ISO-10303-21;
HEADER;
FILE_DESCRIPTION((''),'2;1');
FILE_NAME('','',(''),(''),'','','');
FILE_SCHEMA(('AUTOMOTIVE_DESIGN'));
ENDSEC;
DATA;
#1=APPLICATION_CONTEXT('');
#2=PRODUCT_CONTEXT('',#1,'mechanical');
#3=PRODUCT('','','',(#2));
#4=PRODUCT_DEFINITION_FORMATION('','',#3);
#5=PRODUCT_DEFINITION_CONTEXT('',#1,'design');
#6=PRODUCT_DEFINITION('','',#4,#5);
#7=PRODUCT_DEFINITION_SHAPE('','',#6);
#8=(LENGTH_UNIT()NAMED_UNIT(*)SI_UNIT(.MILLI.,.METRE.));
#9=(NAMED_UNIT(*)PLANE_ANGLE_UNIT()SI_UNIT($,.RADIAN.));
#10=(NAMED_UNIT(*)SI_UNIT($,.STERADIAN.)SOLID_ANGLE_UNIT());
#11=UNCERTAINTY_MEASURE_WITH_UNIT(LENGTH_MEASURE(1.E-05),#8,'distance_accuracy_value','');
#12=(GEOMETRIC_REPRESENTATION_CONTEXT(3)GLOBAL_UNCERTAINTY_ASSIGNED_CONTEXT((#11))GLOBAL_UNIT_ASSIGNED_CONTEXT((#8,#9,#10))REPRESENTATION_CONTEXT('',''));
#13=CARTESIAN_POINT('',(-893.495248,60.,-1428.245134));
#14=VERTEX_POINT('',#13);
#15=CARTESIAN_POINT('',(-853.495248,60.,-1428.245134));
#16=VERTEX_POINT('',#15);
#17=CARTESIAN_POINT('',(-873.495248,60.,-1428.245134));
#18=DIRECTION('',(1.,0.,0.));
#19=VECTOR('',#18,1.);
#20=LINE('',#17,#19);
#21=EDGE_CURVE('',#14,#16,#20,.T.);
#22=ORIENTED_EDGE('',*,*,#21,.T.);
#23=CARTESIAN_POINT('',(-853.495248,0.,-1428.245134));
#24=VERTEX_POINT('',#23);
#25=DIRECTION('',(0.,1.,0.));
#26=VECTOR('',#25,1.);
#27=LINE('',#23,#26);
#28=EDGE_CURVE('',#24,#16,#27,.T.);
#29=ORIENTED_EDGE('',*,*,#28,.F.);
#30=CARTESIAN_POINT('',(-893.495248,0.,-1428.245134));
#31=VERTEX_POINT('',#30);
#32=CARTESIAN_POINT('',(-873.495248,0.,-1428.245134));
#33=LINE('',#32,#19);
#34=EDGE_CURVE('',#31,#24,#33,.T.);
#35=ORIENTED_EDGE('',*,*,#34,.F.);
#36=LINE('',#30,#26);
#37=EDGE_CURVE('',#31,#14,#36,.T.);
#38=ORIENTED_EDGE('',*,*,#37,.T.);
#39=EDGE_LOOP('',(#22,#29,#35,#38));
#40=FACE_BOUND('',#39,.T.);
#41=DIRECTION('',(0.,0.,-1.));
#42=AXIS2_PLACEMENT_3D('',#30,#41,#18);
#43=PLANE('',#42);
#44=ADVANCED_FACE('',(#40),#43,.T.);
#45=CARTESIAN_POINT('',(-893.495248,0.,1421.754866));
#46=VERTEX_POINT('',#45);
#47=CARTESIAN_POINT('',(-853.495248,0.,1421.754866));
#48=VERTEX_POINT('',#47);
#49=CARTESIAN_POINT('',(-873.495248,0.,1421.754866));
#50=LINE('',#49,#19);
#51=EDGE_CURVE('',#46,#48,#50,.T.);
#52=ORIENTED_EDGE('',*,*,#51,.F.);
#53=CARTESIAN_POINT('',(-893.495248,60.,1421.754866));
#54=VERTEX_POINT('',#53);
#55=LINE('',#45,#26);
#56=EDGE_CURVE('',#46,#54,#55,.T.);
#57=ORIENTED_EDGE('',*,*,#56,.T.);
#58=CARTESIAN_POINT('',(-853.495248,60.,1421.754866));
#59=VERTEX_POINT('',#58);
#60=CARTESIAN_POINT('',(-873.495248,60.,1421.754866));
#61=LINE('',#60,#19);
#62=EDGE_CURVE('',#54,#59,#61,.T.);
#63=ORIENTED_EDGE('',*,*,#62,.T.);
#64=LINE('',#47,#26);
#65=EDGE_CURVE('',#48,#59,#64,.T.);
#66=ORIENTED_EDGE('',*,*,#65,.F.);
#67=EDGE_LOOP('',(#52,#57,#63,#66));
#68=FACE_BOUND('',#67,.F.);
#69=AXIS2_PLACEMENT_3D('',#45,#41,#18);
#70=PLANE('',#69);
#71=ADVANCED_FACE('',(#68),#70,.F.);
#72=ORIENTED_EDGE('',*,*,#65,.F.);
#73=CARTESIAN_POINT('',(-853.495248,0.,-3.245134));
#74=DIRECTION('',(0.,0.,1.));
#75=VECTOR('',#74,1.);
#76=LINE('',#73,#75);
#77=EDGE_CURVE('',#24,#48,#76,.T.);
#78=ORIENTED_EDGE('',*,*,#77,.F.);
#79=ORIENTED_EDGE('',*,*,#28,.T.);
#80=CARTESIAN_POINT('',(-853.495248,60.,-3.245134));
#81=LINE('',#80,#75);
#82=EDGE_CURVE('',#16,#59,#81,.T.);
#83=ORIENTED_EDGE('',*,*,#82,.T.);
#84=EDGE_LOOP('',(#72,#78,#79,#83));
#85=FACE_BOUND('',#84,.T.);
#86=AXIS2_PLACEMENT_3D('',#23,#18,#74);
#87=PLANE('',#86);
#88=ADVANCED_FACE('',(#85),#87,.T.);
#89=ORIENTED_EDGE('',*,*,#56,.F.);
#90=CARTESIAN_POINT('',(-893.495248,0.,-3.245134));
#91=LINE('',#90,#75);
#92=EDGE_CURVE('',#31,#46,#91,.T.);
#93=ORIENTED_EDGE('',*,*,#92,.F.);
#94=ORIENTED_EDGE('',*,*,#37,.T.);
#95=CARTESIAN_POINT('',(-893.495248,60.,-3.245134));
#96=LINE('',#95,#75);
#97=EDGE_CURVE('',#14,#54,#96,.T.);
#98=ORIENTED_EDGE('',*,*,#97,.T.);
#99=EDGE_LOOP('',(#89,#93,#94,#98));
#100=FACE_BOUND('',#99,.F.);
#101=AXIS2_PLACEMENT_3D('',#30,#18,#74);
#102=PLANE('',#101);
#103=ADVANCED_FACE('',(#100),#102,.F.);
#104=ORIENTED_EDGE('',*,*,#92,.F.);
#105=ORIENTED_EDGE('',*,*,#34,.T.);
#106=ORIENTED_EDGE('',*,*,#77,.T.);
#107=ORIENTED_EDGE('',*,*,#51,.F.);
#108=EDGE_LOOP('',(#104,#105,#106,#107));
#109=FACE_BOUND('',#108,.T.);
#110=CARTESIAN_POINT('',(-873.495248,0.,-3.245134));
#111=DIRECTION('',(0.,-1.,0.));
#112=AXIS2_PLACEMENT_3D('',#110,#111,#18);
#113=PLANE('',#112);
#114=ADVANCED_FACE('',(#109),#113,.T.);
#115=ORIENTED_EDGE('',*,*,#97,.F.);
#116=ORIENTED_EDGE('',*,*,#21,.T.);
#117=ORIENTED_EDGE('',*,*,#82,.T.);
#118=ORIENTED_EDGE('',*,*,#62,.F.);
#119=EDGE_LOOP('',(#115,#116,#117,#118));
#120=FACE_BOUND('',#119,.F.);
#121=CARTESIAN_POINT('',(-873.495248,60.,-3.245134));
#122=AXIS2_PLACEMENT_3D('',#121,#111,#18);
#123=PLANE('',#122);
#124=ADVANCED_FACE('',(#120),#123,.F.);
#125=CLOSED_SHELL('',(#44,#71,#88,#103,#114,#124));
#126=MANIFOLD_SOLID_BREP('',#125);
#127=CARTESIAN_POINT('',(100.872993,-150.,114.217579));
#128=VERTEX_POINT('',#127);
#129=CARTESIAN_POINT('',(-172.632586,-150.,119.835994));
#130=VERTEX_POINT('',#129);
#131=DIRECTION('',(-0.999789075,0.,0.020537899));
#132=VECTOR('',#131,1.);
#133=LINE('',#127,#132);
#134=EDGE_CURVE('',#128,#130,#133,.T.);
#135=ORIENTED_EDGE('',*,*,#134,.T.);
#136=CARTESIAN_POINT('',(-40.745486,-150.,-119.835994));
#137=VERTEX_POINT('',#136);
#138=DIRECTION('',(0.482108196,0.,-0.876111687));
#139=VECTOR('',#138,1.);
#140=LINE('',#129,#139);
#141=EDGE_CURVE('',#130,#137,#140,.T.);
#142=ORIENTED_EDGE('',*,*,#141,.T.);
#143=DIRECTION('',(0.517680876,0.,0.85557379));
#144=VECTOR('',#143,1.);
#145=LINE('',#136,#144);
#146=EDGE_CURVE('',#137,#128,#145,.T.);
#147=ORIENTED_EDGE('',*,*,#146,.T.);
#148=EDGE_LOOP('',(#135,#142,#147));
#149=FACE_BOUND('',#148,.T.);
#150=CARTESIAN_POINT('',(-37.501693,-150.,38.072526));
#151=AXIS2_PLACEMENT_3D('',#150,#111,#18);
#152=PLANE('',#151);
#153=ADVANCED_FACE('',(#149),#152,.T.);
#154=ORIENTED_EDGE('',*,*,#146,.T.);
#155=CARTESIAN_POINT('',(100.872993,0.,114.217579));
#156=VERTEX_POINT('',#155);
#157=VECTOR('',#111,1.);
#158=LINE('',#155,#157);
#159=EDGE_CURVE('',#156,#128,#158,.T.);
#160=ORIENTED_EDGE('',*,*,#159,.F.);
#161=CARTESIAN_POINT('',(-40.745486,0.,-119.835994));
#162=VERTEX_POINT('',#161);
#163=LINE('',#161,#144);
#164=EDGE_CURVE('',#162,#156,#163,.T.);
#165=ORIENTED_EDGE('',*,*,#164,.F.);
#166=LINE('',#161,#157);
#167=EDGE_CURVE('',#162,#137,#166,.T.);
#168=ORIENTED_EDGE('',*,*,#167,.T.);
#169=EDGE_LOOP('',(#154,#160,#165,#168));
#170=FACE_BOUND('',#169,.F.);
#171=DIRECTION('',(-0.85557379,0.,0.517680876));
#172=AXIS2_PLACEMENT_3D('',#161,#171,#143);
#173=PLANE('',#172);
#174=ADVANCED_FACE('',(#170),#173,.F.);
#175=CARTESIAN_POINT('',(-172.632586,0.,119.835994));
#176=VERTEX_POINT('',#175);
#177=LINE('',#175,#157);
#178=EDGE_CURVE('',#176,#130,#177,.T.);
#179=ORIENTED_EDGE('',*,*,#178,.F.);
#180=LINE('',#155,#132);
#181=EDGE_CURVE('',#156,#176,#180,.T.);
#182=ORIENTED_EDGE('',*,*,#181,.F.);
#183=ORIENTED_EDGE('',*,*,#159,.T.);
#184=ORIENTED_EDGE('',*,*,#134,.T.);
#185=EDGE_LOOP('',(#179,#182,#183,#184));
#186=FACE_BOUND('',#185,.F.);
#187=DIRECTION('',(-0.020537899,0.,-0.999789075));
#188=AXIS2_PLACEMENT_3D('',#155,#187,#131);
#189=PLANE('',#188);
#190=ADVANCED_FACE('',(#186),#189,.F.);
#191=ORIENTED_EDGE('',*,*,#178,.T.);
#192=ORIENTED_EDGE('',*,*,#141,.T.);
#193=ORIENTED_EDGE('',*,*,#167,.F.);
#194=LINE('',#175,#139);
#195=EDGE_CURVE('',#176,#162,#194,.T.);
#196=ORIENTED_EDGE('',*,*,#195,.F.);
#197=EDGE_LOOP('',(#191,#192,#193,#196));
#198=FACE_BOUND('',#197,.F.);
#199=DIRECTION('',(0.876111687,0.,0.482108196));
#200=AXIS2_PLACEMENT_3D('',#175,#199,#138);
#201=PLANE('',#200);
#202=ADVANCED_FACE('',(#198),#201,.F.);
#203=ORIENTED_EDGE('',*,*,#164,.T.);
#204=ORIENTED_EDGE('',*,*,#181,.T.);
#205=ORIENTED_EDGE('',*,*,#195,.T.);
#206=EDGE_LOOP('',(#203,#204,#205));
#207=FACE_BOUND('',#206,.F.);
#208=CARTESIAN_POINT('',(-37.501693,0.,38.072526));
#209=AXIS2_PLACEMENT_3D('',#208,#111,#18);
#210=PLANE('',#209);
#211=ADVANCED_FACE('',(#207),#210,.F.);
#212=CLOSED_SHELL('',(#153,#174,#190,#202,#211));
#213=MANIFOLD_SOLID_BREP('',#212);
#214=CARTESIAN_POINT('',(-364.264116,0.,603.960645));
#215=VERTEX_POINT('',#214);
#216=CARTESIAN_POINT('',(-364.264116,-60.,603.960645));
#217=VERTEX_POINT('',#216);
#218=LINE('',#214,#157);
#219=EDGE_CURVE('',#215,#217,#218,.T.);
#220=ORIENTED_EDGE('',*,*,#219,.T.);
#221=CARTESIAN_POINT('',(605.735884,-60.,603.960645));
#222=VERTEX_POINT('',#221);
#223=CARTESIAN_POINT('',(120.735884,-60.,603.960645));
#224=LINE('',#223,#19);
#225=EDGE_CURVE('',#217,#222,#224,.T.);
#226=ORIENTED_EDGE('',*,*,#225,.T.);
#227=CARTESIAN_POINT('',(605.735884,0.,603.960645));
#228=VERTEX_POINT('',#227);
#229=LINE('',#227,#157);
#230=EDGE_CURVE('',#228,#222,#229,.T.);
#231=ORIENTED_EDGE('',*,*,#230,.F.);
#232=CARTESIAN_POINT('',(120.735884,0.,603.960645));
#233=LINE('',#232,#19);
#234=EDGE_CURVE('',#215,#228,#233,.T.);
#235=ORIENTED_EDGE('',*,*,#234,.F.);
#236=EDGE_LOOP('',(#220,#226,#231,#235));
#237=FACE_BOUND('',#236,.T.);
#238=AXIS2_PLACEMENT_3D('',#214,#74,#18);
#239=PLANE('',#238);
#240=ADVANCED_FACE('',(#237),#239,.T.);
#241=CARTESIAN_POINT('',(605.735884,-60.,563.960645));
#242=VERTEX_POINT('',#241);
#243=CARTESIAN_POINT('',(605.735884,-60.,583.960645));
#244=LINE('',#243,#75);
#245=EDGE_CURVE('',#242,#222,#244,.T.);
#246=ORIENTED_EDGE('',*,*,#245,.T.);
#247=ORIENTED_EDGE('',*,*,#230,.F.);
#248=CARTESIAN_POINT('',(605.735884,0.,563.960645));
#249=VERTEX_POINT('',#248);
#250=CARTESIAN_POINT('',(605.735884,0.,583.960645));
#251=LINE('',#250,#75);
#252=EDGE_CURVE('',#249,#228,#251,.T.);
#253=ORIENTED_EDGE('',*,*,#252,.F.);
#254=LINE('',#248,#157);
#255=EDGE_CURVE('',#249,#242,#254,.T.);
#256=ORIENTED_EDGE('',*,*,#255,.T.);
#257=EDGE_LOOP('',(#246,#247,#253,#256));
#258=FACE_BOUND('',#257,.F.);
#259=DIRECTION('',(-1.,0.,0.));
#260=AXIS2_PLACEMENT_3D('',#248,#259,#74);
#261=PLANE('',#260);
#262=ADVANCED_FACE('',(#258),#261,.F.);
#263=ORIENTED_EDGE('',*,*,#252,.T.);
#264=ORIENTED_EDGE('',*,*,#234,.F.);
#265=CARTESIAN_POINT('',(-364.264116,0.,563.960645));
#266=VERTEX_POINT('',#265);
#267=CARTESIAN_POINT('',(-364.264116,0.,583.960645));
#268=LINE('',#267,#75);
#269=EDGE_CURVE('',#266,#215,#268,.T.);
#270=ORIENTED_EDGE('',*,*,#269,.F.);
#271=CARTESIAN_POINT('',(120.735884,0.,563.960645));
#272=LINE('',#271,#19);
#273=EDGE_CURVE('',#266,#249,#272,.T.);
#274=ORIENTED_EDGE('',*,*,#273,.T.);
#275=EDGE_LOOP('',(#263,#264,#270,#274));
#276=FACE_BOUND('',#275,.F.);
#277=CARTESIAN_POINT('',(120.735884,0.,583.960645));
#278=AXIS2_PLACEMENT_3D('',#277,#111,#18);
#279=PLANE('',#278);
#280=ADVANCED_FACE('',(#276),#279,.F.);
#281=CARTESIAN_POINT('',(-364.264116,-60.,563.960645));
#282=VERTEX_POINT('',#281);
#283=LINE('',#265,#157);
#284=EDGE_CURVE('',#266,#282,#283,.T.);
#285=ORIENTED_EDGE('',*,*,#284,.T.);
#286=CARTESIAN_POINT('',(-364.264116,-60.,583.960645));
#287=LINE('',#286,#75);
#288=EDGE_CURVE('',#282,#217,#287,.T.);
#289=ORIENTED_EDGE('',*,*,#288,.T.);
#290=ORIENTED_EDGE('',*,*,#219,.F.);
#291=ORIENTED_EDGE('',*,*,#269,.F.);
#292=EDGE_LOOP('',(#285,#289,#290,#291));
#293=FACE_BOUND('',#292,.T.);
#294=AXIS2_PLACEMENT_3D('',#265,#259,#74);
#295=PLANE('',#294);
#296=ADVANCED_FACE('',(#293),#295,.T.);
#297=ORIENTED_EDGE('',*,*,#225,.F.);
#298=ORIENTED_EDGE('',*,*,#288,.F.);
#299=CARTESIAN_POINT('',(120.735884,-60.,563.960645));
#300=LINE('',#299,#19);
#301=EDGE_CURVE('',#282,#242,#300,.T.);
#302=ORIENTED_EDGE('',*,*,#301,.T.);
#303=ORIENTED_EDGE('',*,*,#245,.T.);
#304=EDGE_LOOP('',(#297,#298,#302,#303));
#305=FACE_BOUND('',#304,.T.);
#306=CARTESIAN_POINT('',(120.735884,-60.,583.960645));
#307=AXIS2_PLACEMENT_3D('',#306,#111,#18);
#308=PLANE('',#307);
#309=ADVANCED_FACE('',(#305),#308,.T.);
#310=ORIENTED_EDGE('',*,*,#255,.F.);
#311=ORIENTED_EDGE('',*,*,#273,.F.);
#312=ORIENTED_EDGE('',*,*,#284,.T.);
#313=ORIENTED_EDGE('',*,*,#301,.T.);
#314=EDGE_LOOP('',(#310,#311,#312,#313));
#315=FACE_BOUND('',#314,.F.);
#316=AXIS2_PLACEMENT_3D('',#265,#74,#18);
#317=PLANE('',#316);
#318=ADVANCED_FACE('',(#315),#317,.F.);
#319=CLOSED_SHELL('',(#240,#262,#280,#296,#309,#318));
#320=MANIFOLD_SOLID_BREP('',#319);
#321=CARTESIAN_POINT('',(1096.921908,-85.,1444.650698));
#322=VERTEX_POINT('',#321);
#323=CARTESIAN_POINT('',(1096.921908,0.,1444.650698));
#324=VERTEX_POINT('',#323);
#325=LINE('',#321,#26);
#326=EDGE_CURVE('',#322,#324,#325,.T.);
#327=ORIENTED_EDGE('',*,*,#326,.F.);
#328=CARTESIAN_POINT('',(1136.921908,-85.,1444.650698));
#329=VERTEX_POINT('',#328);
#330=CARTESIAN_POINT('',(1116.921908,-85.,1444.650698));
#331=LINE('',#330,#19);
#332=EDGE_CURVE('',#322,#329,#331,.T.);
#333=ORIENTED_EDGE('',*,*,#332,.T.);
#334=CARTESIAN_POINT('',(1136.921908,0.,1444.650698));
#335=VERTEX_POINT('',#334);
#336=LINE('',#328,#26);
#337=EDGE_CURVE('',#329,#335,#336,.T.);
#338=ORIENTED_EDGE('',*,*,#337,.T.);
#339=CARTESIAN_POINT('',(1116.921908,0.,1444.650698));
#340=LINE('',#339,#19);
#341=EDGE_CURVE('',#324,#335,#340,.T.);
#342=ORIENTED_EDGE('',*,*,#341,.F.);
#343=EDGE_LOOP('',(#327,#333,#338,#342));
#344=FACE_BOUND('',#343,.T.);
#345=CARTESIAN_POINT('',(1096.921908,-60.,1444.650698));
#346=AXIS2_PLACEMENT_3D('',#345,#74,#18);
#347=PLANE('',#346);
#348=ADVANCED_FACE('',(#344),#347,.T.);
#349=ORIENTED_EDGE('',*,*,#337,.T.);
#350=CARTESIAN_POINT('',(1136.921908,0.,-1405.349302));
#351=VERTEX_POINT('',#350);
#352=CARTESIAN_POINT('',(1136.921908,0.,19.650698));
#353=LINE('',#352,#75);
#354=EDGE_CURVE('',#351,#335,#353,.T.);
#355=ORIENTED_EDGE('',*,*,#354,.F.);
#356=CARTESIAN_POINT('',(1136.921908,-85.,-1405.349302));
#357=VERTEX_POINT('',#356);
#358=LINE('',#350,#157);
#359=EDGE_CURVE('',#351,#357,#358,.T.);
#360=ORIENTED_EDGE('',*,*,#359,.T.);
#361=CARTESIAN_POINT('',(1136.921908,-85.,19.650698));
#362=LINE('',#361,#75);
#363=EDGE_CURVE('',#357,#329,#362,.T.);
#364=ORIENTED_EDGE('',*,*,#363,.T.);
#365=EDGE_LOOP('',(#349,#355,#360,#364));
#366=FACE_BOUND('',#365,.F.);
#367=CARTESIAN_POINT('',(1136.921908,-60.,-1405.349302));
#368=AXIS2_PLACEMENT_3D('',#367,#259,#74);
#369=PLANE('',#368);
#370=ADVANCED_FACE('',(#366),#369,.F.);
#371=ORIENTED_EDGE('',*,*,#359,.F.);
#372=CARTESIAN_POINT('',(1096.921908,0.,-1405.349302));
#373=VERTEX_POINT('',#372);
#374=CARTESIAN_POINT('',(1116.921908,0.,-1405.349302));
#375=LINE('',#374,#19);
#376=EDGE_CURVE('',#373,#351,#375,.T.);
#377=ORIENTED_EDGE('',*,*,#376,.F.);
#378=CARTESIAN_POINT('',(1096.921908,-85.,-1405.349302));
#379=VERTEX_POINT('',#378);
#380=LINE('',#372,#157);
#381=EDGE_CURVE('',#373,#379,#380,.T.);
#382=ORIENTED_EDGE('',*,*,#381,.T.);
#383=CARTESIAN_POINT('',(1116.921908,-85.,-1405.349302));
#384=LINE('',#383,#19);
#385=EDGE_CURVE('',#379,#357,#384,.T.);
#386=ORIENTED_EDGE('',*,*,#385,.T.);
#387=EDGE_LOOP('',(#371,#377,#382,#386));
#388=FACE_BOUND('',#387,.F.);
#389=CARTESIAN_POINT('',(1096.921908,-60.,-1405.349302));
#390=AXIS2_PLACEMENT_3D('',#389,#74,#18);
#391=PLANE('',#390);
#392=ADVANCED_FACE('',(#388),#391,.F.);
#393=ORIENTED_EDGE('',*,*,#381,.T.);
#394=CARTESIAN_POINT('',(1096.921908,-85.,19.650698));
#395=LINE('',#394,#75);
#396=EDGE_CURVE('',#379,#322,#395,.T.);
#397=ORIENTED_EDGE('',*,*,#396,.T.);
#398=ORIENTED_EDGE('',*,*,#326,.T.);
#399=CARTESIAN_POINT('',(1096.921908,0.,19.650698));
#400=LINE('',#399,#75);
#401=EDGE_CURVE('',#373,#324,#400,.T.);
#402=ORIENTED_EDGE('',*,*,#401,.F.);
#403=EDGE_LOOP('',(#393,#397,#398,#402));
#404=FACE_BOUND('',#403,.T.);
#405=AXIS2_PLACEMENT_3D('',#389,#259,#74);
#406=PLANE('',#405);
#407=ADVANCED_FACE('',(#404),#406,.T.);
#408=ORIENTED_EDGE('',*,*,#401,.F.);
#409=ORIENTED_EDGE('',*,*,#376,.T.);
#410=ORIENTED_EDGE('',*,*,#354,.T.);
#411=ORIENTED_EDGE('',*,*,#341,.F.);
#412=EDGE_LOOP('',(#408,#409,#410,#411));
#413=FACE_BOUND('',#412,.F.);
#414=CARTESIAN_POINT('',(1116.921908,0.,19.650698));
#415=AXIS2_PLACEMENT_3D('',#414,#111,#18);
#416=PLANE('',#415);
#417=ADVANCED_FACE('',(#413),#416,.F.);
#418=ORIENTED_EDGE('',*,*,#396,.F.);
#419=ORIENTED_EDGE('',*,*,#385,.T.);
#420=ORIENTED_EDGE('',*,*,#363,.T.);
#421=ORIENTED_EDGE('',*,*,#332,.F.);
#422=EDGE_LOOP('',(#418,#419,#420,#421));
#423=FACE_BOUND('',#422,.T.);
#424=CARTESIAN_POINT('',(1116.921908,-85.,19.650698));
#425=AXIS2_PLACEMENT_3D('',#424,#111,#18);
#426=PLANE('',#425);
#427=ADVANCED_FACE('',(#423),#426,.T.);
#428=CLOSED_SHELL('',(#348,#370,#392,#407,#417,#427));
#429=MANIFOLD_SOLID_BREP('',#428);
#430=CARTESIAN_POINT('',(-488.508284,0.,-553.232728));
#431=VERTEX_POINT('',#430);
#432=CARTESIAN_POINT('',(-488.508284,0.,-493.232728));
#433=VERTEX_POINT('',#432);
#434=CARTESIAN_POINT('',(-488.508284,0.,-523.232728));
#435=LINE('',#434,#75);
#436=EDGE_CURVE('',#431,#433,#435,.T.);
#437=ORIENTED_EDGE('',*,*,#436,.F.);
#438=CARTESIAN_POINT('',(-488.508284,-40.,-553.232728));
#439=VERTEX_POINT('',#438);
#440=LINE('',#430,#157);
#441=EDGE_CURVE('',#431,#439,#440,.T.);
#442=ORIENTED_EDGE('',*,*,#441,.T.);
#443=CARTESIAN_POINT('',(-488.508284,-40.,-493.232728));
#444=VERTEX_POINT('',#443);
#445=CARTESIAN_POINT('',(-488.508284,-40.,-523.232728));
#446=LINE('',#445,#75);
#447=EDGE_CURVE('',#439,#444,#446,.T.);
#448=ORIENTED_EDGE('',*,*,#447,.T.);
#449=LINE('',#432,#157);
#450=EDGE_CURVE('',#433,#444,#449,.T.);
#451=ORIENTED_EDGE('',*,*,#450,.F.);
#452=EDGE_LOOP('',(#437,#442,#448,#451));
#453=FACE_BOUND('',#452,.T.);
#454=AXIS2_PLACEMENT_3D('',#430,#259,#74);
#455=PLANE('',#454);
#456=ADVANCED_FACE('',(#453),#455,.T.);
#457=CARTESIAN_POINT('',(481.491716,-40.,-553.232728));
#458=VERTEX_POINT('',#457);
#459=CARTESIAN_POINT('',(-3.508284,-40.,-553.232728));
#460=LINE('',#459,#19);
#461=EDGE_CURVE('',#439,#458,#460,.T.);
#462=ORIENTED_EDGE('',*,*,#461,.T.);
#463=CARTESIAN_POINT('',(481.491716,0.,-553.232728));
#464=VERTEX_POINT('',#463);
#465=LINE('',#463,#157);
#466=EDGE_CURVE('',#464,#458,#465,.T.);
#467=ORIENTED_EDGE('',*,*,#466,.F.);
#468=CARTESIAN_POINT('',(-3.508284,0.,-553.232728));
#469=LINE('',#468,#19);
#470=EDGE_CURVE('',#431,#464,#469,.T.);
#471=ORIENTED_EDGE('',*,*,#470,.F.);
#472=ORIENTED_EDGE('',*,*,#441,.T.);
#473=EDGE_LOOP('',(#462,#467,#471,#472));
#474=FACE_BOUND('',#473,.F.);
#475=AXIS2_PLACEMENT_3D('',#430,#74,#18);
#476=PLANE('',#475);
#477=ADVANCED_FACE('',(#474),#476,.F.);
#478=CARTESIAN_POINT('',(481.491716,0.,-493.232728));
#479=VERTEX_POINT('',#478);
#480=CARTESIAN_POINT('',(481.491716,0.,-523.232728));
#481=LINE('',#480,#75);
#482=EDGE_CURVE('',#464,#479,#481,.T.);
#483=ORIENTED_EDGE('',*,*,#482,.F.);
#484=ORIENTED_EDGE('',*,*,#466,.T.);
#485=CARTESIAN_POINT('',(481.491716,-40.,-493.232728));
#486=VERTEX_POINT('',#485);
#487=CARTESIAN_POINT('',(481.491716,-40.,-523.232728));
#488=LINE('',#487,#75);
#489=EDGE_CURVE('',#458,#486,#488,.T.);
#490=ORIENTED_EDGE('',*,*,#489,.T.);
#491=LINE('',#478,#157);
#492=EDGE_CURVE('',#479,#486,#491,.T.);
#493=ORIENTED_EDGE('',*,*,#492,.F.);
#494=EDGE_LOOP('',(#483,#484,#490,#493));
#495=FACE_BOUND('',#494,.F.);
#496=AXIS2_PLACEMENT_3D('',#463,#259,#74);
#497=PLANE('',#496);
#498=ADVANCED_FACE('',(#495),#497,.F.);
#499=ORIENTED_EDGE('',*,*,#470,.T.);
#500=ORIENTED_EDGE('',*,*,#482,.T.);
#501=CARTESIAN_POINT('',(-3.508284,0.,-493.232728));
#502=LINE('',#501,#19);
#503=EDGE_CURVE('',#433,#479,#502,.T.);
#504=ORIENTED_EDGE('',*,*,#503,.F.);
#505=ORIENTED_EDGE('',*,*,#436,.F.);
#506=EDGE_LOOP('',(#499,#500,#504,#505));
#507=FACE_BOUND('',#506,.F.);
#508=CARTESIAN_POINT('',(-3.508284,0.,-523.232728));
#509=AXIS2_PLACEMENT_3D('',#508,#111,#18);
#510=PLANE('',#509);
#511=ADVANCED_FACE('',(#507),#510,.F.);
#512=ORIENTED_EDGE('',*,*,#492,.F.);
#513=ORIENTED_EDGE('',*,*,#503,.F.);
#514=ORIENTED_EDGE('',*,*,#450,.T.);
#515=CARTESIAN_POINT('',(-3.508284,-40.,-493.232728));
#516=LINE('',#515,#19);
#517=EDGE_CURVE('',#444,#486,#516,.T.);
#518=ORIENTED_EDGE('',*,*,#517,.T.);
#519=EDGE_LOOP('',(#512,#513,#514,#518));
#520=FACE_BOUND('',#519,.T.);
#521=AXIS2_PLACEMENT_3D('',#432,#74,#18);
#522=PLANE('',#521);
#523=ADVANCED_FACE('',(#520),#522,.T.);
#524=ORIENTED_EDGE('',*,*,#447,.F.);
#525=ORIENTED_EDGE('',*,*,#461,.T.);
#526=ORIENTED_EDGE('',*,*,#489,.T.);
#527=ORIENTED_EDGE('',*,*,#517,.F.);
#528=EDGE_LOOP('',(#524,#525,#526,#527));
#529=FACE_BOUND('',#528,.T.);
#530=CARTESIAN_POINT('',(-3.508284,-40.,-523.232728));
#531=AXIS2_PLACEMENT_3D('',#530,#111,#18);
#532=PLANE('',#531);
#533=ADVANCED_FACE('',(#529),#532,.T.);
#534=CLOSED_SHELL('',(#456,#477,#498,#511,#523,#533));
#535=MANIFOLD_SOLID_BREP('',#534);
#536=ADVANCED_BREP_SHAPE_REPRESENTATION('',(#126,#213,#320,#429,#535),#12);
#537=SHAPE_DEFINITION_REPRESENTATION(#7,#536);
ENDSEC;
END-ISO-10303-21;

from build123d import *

# Parameters (mm, degrees)
F0_W      = 40
F0_H      = 2850
F1_DEPTH  = 60
F2_W      = 970
F2_H      = 40
F3_DEPTH  = 60
F4_W      = 40
F4_H      = 2850
F5_DEPTH  = 60
F6_W      = 970
F6_H      = 60
F7_DEPTH  = 40
F5_FACE_W = 40
F5_FACE_H = 2850
F8_DEPTH  = 25
F10_DEPTH = 150


with BuildPart() as f1:
    # F0 (on Front) → F1 (new body)
    with BuildSketch(Plane.XZ):
        with Locations((-873.495248, -3.245134)):
            Rectangle(F0_W, F0_H)
    extrude(amount=-F1_DEPTH)


with BuildPart() as f3:
    # F2 (on Front) → F3 (new body)
    with BuildSketch(Plane.XZ):
        with Locations((120.735884, 583.960645)):
            Rectangle(F2_W, F2_H)
    extrude(amount=F3_DEPTH)


with BuildPart() as f5:
    # F4 (on Front) → F5 (new body)
    with BuildSketch(Plane.XZ):
        with Locations((1116.921908, 19.650698)):
            Rectangle(F4_W, F4_H)
    extrude(amount=F5_DEPTH)

    # F5_face (on face) → F8 (join)
    with BuildSketch(Plane(origin=(1116.921908, -60, 19.650698), x_dir=(1, 0, 0), z_dir=(0, -1, 0))):
        Rectangle(F5_FACE_W, F5_FACE_H)
    extrude(amount=F8_DEPTH)


with BuildPart() as f7:
    # F6 (on Front) → F7 (new body)
    with BuildSketch(Plane.XZ):
        with Locations((-3.508284, -523.232728)):
            Rectangle(F6_W, F6_H)
    extrude(amount=F7_DEPTH)


with BuildPart() as f10:
    # F9 (on Front) → F10 (new body)
    with BuildSketch(Plane.XZ):
        Polygon((-172.632586, 119.835994), (-40.745486, -119.835994), (100.872993, 114.217579), align=None)
    extrude(amount=F10_DEPTH)


solid = Compound([f1.part, f3.part, f5.part, f7.part, f10.part])
